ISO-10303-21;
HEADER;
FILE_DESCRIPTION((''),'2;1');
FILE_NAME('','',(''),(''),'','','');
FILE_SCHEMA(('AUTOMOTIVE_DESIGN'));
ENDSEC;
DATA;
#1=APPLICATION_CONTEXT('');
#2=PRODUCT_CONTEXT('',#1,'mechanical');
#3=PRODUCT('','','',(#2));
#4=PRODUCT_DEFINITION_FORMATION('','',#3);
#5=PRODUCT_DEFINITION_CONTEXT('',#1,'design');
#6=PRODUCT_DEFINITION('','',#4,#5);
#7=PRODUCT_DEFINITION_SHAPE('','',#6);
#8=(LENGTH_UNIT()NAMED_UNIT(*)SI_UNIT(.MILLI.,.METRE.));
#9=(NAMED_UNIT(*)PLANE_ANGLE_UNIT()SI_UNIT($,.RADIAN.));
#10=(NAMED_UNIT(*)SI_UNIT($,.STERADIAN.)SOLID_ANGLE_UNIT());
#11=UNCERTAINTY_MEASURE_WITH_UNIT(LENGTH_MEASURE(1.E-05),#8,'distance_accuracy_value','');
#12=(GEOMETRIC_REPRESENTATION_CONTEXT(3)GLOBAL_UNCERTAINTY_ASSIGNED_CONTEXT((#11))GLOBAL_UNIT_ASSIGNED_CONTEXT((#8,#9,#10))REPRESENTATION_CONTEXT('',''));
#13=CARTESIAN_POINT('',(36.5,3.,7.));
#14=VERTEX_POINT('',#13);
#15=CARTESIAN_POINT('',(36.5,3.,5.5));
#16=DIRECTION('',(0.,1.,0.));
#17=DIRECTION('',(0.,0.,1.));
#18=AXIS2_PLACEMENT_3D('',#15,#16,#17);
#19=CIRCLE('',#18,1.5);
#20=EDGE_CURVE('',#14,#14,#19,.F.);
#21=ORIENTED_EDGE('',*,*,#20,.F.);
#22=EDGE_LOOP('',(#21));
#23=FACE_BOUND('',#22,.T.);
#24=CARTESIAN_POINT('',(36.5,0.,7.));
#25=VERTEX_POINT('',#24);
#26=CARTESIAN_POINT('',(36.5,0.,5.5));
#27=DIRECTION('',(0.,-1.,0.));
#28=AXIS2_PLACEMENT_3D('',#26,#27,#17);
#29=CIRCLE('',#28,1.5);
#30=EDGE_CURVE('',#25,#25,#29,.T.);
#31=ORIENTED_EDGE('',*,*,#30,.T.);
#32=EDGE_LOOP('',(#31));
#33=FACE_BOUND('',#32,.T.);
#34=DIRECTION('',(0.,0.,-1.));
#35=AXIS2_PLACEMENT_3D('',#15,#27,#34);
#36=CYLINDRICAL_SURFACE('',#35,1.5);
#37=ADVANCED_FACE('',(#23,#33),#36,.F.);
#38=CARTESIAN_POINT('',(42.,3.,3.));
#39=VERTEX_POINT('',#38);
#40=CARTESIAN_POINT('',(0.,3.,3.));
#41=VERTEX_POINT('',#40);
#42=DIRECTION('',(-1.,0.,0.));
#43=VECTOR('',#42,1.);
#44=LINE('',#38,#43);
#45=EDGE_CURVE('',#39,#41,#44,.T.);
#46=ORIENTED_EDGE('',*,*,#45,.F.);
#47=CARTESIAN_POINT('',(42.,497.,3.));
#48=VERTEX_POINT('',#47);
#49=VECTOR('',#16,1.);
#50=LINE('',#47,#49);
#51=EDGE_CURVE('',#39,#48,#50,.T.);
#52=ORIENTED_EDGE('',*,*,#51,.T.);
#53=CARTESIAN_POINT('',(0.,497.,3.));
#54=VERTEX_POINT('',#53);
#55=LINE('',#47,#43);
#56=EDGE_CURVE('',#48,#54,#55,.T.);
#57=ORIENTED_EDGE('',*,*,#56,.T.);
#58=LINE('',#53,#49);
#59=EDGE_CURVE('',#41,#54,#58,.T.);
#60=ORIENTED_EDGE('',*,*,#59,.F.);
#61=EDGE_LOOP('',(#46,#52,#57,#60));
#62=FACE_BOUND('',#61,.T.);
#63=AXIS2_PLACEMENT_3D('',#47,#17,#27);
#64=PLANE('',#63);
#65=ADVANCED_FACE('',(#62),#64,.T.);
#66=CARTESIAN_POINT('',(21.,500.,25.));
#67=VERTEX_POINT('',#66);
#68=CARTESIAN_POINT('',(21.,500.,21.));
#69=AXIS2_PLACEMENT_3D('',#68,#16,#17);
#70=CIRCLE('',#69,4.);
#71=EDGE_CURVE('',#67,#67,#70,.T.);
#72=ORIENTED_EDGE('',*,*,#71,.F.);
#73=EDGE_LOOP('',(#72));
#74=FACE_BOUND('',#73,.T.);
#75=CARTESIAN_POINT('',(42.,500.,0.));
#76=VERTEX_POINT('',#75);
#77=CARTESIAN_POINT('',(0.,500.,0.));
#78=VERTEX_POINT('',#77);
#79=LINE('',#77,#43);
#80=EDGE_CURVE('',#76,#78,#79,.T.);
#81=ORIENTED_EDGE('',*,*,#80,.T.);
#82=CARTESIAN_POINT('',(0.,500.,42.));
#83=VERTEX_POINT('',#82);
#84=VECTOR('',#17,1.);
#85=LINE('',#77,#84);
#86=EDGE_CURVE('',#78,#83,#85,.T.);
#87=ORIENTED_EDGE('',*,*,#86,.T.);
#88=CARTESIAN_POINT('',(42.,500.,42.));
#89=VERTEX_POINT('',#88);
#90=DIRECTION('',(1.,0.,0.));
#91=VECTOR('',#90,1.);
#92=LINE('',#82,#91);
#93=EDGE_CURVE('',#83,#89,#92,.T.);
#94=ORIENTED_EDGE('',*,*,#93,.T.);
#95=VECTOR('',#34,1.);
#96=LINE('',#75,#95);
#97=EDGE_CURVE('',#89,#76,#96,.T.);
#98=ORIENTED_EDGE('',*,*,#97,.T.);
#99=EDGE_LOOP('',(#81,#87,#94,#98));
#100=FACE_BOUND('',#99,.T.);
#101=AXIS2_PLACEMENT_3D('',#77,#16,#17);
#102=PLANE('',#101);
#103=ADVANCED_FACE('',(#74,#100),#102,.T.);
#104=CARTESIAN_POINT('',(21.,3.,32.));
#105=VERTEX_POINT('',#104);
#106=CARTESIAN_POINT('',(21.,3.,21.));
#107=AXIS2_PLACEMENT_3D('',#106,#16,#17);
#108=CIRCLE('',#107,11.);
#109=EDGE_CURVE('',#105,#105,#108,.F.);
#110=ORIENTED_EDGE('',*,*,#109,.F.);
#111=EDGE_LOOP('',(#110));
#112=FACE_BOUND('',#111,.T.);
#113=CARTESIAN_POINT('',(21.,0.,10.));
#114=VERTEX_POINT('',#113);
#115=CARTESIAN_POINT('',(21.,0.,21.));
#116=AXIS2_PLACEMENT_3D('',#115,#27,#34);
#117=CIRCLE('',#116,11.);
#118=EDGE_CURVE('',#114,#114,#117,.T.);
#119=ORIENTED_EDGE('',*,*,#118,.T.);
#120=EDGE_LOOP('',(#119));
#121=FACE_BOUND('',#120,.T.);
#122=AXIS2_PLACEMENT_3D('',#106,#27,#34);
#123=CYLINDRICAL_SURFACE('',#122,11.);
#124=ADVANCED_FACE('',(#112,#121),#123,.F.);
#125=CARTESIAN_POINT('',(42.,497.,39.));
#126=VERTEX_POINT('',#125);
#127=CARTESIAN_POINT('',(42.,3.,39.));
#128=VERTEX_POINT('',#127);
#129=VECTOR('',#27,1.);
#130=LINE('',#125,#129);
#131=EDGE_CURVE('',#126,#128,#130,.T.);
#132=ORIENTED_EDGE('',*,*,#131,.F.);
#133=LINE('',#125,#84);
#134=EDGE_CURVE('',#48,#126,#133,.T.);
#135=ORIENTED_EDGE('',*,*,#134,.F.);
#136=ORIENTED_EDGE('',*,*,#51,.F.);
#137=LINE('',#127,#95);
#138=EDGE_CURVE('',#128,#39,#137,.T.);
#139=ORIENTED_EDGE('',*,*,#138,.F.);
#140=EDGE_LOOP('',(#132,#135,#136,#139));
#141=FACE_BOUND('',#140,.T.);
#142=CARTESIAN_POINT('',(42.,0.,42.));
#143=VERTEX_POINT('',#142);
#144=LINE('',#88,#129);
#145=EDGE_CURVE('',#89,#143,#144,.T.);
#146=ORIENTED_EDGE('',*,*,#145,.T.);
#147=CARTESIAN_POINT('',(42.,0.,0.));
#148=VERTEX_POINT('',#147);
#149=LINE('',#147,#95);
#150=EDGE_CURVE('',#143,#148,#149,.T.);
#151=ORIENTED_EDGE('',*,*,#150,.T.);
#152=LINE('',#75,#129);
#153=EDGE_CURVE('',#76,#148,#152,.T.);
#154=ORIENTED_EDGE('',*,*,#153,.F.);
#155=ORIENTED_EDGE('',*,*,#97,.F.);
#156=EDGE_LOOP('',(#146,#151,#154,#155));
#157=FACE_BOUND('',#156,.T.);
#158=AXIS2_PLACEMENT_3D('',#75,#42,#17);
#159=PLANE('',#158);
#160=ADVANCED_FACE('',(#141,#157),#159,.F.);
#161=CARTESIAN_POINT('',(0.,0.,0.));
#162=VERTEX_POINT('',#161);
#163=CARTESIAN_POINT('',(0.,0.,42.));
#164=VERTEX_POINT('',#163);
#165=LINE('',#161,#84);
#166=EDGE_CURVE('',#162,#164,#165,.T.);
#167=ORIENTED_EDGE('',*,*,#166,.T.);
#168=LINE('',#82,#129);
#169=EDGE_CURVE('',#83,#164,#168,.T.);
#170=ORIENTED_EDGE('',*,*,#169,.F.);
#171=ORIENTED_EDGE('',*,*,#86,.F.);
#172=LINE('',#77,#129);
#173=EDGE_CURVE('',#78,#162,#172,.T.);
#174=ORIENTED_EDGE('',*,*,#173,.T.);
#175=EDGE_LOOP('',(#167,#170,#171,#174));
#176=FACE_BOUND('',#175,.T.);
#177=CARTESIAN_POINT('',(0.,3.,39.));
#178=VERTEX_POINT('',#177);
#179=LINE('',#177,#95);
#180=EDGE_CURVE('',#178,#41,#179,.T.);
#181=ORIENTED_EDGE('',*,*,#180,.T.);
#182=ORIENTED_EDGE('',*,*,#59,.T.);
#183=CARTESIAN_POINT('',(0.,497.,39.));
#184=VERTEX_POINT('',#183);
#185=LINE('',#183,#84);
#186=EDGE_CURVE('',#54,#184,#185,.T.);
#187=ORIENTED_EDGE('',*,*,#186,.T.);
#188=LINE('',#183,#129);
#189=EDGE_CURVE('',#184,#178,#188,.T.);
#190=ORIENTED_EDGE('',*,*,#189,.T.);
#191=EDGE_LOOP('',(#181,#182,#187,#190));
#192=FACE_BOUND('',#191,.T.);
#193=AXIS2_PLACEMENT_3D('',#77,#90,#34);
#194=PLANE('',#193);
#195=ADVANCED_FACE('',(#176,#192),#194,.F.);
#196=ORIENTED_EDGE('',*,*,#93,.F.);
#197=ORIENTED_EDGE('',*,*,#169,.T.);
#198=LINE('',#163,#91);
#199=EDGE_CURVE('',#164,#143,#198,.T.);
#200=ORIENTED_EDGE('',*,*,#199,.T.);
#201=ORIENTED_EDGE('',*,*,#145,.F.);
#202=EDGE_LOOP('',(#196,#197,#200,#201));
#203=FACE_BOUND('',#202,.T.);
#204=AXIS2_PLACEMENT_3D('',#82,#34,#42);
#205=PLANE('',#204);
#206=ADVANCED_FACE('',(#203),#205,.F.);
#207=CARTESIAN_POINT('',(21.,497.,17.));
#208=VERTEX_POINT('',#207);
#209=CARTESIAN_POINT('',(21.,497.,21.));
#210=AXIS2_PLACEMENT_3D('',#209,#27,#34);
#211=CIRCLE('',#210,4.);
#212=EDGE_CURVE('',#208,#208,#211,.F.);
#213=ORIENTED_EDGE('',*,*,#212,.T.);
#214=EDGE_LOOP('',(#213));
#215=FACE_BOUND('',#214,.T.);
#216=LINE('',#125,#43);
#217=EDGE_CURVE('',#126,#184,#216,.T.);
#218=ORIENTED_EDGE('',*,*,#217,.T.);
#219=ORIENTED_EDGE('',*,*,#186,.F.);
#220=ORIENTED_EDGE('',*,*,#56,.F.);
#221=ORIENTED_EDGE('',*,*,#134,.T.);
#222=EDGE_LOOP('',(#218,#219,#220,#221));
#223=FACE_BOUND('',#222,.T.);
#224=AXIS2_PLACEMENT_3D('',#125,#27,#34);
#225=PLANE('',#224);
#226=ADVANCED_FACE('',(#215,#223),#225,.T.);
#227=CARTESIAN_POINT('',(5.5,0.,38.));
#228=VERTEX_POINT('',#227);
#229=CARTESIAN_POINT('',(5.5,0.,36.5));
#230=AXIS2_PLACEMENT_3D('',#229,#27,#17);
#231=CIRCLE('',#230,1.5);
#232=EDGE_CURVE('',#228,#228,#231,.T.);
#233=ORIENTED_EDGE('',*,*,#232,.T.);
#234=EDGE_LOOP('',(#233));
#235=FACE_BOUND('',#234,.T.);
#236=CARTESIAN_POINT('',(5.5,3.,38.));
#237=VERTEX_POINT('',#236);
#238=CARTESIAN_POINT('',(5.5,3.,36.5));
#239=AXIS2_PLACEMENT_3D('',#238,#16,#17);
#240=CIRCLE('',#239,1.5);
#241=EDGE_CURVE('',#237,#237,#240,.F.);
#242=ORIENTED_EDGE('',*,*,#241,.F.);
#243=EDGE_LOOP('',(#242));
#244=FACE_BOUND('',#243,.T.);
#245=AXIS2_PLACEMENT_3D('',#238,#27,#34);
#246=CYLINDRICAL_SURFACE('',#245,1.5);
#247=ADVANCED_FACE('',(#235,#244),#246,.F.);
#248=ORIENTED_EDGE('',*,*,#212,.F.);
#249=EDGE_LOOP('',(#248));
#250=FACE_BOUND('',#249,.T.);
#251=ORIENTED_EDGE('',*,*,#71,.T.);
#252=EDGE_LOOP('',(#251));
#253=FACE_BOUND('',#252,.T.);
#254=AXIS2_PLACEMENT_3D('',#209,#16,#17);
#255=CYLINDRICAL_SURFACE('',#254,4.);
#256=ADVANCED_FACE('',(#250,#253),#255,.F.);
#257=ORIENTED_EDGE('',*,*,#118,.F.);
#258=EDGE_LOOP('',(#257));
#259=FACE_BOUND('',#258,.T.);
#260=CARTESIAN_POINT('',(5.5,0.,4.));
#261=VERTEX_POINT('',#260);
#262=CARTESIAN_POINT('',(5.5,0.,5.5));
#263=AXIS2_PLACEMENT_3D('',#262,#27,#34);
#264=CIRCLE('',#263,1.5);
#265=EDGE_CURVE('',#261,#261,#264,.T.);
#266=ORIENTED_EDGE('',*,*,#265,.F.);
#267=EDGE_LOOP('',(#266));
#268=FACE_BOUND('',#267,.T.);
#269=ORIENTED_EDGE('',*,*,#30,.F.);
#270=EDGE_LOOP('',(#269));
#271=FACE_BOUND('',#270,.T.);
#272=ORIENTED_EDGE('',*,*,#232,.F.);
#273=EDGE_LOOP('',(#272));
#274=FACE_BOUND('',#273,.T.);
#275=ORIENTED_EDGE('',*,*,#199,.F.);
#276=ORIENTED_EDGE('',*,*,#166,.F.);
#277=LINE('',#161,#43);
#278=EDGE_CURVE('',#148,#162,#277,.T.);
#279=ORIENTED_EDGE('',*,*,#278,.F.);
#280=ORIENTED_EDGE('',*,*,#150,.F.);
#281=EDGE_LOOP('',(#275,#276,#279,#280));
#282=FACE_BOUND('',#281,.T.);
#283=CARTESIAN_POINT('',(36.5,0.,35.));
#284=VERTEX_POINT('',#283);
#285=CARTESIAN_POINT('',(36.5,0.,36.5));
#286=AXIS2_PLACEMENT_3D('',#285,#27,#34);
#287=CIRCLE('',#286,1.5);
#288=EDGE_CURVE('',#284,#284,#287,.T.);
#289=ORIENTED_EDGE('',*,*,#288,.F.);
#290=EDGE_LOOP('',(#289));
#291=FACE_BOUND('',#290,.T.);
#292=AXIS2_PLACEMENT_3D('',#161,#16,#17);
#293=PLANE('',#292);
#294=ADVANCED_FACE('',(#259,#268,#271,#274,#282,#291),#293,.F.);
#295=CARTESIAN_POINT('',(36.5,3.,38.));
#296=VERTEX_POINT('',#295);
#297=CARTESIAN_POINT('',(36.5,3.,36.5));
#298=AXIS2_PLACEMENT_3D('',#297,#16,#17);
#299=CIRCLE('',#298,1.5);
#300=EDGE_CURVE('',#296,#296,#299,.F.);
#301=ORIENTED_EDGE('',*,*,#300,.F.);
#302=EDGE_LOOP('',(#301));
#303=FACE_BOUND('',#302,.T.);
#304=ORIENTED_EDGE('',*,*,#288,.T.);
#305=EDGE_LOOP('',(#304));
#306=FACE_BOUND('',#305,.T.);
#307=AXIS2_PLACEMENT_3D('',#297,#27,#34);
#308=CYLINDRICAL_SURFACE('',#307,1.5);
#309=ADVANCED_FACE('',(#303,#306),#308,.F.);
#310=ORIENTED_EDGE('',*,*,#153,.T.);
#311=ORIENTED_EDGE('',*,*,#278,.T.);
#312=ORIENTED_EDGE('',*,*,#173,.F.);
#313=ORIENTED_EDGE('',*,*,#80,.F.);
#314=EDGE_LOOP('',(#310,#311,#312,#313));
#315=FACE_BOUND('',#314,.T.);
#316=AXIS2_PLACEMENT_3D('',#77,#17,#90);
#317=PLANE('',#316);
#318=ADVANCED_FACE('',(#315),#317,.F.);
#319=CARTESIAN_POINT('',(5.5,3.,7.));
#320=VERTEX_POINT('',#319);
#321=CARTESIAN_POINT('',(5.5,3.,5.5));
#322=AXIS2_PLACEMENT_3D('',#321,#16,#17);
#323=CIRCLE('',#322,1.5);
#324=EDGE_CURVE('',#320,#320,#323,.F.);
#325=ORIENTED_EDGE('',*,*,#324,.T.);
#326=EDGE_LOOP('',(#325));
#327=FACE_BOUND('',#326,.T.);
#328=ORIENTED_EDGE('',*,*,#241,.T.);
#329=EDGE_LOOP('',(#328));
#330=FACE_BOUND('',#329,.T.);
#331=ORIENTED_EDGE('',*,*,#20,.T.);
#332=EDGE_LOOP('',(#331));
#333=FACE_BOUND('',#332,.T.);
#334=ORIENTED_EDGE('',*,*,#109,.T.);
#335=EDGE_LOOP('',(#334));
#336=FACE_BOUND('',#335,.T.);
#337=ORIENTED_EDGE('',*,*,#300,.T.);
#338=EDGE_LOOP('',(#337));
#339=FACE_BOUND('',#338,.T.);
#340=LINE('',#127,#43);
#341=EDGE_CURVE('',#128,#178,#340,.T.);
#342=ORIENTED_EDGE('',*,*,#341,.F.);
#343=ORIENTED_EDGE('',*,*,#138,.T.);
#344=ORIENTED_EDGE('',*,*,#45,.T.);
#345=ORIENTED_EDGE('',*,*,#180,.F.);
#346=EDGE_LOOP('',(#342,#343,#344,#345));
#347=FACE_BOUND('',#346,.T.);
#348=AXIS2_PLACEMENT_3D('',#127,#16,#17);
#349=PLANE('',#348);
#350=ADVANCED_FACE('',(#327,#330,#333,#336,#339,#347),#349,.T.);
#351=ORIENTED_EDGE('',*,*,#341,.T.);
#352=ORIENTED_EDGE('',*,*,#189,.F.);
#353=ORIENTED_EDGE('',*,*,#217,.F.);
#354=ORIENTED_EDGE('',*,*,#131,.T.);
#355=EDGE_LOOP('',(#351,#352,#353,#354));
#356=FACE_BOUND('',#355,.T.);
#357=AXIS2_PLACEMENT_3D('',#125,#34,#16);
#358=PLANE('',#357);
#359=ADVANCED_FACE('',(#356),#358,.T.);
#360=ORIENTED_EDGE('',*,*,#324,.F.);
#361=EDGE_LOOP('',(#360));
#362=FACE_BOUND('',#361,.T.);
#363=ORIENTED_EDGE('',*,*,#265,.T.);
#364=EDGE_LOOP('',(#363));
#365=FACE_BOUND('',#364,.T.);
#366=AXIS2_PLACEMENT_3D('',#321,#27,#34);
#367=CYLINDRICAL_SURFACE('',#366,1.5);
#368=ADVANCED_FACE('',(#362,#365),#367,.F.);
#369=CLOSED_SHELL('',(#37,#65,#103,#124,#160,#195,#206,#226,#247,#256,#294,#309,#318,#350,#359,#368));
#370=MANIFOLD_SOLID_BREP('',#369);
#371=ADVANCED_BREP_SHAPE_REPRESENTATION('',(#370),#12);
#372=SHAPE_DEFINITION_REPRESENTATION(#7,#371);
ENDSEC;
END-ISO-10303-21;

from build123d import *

# Parameters (mm, degrees)
SKETCH_1_W          = 42
SKETCH_1_H          = 42
EXTRUDE_1_DEPTH     = 500
SKETCH_2_R          = 11
SKETCH_2_R_2        = 1.5
CUT_EXTRUDE_1_DEPTH = 3
SKETCH_3_R          = 4
CUT_EXTRUDE_2_DEPTH = 3
SKETCH_4_W          = 36
SKETCH_4_H          = 494
CUT_EXTRUDE_3_DEPTH = 504.515640273


with BuildPart() as part:
    # 草图1 → 凸台-拉伸1 (new body)
    with BuildSketch(Plane(origin=(0, 0, 0), x_dir=(1, 0, 0), z_dir=(0, 1, 0))):
        with Locations((21, -21)):
            Rectangle(SKETCH_1_W, SKETCH_1_H)
    extrude(amount=EXTRUDE_1_DEPTH)

    # 草图2 → 切除-拉伸1 (cut)
    with BuildSketch(Plane.XZ):
        with Locations(Location((21, 21, 0), (0, 0, 270))):
            Circle(SKETCH_2_R)
        with Locations(Location((5.5, 5.5, 0), (0, 0, 270))):
            Circle(SKETCH_2_R_2)
        with Locations(Location((5.5, 36.5, 0), (0, 0, 90))):
            Circle(SKETCH_2_R_2)
        with Locations(Location((36.5, 5.5, 0), (0, 0, 90))):
            Circle(SKETCH_2_R_2)
        with Locations(Location((36.5, 36.5, 0), (0, 0, 270))):
            Circle(SKETCH_2_R_2)
    extrude(amount=-CUT_EXTRUDE_1_DEPTH, mode=Mode.SUBTRACT)

    # 草图3 → 切除-拉伸2 (cut)
    with BuildSketch(Plane(origin=(0, 500, 0), x_dir=(1, 0, 0), z_dir=(0, 1, 0))):
        with Locations(Location((21, -21, 0), (0, 0, 270))):
            Circle(SKETCH_3_R)
    extrude(amount=-CUT_EXTRUDE_2_DEPTH, mode=Mode.SUBTRACT)

    # 草图4 → 切除-拉伸3 (cut, through all)
    with BuildSketch(Plane(origin=(0, 0, 0), x_dir=(0, 0, -1), z_dir=(1, 0, 0))):
        with Locations((-21, 250)):
            Rectangle(SKETCH_4_W, SKETCH_4_H)
    extrude(amount=CUT_EXTRUDE_3_DEPTH, mode=Mode.SUBTRACT)


solid = part.part
